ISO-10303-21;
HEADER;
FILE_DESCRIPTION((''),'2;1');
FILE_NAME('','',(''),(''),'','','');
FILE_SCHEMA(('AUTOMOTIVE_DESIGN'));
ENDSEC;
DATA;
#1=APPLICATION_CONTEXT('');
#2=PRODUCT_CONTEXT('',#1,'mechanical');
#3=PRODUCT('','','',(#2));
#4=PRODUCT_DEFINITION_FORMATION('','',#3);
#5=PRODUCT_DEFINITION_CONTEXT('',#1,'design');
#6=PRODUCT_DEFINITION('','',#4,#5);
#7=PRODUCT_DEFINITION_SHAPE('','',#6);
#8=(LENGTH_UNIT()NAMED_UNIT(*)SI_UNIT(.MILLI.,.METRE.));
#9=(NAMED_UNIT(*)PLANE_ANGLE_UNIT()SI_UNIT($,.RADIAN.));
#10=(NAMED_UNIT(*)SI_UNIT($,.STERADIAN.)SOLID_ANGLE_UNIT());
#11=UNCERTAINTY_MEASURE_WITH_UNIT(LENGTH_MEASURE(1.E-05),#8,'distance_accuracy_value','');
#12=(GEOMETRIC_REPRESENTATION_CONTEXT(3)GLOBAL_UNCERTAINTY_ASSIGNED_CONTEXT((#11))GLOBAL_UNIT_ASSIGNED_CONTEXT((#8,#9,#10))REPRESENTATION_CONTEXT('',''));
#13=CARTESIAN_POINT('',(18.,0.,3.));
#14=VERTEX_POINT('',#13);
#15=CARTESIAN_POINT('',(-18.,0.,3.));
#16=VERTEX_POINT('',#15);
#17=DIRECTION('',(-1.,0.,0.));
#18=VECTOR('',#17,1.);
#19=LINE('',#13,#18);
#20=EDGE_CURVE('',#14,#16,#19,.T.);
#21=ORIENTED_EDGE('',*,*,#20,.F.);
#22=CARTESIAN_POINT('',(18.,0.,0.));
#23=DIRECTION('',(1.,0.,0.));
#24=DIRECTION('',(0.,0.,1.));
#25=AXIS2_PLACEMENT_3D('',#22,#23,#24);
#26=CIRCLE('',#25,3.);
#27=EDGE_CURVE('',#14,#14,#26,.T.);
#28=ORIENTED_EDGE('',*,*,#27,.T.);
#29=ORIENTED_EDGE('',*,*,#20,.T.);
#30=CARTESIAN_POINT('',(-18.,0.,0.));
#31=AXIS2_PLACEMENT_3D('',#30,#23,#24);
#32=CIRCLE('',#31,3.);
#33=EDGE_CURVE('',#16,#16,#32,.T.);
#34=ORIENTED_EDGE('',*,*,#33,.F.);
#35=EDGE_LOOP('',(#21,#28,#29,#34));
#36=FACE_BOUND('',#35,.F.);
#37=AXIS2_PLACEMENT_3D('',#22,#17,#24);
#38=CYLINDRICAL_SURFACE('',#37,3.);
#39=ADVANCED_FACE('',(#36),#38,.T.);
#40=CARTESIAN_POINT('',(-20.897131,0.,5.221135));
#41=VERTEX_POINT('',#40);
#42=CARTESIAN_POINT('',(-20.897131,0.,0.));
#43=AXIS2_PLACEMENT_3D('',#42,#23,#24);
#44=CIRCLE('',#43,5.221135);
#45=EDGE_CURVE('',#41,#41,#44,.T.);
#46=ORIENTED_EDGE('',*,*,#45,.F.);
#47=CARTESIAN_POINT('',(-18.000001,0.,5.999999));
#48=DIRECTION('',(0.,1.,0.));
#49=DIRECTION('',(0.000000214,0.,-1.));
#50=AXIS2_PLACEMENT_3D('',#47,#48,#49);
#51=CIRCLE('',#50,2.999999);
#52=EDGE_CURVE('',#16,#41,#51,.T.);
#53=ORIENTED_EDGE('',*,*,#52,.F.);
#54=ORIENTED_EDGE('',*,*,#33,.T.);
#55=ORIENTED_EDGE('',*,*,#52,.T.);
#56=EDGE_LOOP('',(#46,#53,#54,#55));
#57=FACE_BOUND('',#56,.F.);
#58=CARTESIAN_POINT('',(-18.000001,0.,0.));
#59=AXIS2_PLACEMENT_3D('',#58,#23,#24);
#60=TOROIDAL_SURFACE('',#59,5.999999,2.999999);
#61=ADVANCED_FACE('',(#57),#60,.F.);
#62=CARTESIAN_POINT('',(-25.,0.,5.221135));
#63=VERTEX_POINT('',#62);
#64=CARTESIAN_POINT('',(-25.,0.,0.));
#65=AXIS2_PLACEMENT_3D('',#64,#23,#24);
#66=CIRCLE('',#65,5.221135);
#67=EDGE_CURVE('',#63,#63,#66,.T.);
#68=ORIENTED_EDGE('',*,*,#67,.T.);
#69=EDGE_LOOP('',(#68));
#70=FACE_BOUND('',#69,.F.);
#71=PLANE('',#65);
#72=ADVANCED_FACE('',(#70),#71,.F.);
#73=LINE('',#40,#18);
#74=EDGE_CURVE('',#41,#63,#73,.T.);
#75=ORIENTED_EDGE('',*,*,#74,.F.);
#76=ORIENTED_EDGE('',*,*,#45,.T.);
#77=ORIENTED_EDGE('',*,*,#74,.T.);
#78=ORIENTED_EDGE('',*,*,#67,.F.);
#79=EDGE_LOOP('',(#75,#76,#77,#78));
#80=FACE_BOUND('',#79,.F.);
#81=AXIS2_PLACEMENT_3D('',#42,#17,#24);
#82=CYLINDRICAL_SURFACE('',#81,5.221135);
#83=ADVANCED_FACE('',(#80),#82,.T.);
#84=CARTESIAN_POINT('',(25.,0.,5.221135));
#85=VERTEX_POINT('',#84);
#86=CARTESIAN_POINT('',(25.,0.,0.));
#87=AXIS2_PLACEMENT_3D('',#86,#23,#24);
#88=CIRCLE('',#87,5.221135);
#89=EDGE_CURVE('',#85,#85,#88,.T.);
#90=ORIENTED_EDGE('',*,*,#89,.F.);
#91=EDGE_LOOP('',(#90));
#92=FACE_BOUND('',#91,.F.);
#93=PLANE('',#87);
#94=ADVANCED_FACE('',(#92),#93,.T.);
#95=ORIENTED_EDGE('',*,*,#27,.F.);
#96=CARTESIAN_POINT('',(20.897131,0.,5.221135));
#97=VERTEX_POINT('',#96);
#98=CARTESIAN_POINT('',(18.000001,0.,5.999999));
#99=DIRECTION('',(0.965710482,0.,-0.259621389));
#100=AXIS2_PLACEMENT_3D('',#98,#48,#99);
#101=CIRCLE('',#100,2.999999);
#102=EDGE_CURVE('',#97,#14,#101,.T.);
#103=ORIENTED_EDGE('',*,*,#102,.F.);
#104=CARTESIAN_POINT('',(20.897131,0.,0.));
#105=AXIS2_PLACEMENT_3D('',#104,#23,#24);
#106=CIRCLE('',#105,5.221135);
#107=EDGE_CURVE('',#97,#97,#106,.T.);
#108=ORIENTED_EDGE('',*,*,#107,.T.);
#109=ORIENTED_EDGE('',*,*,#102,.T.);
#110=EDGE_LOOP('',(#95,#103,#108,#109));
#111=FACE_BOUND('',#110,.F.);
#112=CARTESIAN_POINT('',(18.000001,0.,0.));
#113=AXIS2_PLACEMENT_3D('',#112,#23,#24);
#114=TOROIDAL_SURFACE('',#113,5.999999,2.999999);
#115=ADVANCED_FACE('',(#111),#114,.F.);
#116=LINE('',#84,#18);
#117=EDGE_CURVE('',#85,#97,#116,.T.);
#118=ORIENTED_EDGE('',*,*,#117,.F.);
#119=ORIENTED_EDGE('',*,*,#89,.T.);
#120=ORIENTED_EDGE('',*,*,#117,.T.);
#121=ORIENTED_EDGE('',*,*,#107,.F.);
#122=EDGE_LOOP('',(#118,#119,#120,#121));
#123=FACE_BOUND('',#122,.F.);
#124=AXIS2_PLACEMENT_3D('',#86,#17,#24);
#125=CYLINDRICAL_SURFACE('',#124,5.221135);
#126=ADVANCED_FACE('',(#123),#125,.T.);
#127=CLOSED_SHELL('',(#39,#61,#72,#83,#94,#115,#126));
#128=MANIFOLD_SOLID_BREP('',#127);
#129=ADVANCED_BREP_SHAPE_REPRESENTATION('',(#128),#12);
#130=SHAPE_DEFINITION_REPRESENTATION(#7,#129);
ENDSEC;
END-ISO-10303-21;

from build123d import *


with BuildPart() as f1:
    # F0 (on Front) → F1 (revolve)
    with BuildSketch(Plane.XZ):
        with BuildLine():
            Line((18, 3), (0, 3))
            Line((0, 3), (-18, 3))
            ThreePointArc((-18, 3), (-19.825295, 3.619181), (-20.897131, 5.221135))
            Line((-20.897131, 5.221135), (-25, 5.221135))
            Line((-25, 5.221135), (-25, 0))
            Line((-25, 0), (0, 0))
            Line((0, 0), (25, 0))
            Line((25, 0), (25, 5.221135))
            Line((25, 5.221135), (20.897131, 5.221135))
            ThreePointArc((20.897131, 5.221135), (19.825295, 3.619181), (18, 3))
        make_face()
    revolve(axis=Axis((-12.5, 0, 0), (1, 0, 0)))


solid = f1.part
